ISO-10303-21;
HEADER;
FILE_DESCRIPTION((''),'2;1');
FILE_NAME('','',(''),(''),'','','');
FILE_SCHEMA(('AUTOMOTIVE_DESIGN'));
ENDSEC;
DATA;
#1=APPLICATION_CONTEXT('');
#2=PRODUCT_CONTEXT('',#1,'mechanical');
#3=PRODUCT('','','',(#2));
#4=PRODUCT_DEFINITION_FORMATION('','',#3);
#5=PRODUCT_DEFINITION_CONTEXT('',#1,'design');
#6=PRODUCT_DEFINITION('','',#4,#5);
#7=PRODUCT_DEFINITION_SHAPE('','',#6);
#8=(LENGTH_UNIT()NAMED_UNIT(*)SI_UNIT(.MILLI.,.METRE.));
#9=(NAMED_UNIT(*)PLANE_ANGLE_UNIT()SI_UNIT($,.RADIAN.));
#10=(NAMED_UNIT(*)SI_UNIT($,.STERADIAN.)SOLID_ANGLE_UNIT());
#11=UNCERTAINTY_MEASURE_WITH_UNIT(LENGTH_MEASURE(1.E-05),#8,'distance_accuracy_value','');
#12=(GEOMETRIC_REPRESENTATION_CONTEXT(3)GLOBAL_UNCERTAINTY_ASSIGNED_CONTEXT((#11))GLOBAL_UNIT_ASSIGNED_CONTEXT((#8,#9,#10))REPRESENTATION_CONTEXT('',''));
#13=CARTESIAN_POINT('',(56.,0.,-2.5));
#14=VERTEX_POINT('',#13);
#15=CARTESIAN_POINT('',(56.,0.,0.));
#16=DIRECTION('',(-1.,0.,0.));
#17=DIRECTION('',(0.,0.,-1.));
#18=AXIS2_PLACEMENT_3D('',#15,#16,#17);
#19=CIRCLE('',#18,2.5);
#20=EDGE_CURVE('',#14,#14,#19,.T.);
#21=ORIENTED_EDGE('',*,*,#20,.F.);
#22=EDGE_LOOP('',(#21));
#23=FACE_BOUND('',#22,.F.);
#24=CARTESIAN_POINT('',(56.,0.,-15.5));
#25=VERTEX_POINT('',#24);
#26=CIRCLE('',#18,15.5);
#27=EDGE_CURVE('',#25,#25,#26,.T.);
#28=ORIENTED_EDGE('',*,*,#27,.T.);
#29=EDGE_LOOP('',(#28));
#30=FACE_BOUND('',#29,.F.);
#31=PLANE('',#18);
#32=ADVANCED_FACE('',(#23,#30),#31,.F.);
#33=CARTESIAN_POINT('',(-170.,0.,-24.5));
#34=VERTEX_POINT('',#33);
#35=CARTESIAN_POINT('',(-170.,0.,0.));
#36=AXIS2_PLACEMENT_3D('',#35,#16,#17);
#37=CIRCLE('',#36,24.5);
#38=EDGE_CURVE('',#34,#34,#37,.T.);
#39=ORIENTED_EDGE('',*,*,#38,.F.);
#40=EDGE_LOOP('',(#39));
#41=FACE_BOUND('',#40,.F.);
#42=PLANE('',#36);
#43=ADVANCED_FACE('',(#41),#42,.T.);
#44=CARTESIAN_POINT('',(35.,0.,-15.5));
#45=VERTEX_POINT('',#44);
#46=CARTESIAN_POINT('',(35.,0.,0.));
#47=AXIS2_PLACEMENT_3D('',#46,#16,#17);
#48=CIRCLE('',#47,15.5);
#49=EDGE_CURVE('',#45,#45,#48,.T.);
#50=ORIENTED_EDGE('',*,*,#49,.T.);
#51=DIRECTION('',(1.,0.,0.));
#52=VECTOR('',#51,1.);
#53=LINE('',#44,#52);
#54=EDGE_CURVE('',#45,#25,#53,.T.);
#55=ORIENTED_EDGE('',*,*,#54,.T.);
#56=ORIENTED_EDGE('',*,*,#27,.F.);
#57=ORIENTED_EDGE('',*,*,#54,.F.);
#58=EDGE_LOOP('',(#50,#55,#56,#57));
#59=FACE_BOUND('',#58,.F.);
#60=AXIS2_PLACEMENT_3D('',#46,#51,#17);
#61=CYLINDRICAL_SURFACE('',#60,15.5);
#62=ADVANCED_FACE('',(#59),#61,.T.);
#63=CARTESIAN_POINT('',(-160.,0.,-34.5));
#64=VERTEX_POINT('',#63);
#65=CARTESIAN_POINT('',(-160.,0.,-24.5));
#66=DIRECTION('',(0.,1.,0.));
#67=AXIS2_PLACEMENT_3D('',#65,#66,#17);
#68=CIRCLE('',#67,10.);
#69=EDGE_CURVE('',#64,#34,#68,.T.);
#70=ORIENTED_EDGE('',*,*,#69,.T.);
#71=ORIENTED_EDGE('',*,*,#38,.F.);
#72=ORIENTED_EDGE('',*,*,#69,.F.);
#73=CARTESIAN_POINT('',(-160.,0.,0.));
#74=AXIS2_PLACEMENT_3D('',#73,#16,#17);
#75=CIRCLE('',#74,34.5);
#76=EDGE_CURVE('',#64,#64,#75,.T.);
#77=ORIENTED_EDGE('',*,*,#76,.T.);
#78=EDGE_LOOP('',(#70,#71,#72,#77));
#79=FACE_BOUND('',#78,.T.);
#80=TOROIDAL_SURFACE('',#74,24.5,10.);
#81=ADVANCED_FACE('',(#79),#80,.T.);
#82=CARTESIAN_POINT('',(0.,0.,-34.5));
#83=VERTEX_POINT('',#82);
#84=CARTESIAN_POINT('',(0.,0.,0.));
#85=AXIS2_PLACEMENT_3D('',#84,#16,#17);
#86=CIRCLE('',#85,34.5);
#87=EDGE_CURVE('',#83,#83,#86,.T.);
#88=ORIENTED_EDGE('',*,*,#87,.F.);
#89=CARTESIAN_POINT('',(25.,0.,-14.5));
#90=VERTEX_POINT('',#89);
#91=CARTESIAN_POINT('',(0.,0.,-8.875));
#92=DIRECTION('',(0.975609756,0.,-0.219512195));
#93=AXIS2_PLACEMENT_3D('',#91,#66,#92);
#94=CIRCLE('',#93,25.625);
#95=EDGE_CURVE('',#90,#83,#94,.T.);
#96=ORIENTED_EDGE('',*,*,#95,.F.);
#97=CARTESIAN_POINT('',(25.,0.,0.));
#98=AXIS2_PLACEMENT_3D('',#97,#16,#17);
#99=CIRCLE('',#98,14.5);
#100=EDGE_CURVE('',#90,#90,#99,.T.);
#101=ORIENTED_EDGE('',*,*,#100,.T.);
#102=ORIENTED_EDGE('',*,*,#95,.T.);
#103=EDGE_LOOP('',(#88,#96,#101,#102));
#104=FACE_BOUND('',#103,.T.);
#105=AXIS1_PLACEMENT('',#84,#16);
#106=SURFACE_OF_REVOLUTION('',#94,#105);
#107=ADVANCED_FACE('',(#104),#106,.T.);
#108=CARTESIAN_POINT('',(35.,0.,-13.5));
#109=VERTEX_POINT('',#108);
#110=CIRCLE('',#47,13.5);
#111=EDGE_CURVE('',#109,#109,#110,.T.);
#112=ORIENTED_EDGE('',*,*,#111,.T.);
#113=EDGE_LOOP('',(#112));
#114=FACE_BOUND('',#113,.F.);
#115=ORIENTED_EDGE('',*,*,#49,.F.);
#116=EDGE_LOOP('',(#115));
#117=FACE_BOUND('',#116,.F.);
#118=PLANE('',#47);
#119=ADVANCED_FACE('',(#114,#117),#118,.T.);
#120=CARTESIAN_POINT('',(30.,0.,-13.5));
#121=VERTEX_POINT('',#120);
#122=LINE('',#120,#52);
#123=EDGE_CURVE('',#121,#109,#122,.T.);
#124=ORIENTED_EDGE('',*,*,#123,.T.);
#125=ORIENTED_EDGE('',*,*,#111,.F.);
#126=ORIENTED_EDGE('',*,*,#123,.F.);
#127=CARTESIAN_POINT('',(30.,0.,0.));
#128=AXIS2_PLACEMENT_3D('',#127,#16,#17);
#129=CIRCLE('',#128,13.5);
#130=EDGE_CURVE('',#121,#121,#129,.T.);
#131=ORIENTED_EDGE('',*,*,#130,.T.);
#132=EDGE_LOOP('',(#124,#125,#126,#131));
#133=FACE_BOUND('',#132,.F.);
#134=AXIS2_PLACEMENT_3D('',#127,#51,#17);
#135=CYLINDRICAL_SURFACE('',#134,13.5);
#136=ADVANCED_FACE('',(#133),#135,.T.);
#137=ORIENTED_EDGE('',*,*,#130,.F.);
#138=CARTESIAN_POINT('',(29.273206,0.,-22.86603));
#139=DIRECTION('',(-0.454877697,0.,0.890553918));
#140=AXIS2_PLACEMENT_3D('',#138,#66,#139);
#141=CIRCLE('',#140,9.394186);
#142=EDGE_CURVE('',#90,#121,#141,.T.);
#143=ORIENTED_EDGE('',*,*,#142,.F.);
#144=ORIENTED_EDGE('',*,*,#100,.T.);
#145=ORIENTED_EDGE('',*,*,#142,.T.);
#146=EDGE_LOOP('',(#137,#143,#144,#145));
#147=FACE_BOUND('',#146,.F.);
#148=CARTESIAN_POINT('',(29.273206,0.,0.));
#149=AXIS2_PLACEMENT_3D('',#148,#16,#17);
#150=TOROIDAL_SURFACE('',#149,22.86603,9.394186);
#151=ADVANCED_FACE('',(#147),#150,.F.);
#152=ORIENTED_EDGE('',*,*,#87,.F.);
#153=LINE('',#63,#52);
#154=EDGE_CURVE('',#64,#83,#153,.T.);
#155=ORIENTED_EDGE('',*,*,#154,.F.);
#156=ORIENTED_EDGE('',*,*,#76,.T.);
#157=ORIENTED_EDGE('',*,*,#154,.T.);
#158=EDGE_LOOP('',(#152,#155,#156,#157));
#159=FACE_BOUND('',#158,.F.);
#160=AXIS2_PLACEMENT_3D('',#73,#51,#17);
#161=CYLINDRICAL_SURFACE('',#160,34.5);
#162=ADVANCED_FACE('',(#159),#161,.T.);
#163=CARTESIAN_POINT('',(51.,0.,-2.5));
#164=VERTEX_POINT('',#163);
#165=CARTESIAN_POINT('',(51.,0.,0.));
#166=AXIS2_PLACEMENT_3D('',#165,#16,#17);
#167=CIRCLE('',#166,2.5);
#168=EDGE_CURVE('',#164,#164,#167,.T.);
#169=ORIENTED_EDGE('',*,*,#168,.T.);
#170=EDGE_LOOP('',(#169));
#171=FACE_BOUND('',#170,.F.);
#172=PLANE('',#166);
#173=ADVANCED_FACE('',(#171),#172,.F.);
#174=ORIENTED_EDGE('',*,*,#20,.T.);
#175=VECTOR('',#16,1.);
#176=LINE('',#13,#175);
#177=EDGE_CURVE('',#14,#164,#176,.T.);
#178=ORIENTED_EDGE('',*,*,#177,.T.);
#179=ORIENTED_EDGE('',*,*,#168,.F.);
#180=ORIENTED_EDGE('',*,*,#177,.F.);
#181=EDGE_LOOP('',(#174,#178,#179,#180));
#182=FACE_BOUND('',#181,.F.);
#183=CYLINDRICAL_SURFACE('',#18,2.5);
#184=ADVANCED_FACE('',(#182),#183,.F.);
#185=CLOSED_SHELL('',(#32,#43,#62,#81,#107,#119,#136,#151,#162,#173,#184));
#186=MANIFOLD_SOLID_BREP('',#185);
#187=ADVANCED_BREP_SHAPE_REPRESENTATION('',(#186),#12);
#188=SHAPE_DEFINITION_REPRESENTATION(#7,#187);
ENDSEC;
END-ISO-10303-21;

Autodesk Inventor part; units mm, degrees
ref_plane "YZ Plane" through (0, 0, 0) normal (1, 0, 0) x (0, 1, 0)
ref_plane "XZ Plane" through (0, 0, 0) normal (0, 1, 0) x (-1, 0, 0)
ref_plane "XY Plane" through (0, 0, 0) normal (0, 0, 1) x (1, 0, 0)
sketch "スケッチ1" plane through (0, 0, 0) normal (0, 1, 0) x (-1, 0, 0)
  line L0 (0, 0) -> (160, 0)
  line L1 (160, 0) -> (160, -34.5)
  line L2 (160, -34.5) -> (0, -34.5)
  line L3 (0, -34.5) -> (0, 0)
  line L4 (160, 0) -> (170, 0)
  line L5 (170, 0) -> (170, -24.5)
  arc A0 (160, -34.5) -> (170, -24.5) centre (160, -24.5) ccw
  line L6 (0, -34.5) -> (0, -14.5)
  line L7 (0, -14.5) -> (-25, -14.5)
  line L8 (-25, -14.5) -> (-25, 0)
  line L9 (-25, 0) -> (-30, 0)
  line L10 (-30, 0) -> (-30, -13.5)
  arc A1 (-25, -14.5) -> (-30, -13.5) centre (-29.2733, -22.8663) ccw
  arc A2 (-25, -14.5) -> (0, -34.5) centre (0, -8.875) ccw
  line L11 (-30, -13.5) -> (-35, -13.5)
  line L12 (-35, -13.5) -> (-35, 0)
  line L13 (-35, 0) -> (-30, 0)
  line L14 (-30, 0) -> (-30, -13.5)
  line L15 (-35, 0) -> (-35, -15.5)
  line L16 (-35, -15.5) -> (-56, -15.5)
  line L17 (-56, -15.5) -> (-56, 0)
  line L18 (-56, 0) -> (-35, 0)
  line L19 (-35, 0) -> (-35, -15.5)
  line L20 (0, 0) -> (-25, 0)
  point P0 (-35, 0)
  dimension "d0" = 160
  dimension "d1" = 34.5
  dimension "d2" = 10
  dimension "d3" = 24.5
  dimension "d4" = 20
  dimension "d5" = 25
  dimension "d7" = 5
  dimension "d8" = 13.5
  dimension "d9" = 9.3945
  dimension "d10" = 5
  dimension "d11" = 15.5
  dimension "d12" = 21
revolve "回転1" add sketch "スケッチ1" angle 360 about axis through (0, 0, 0) along (-1, 0, 0)
sketch "スケッチ2" plane through (56, 0, 0) normal (1, 0, 0) x (0, 0, -1)
  circle A0 centre (0, 0) radius 13.5 projected
hole "穴1" at (56, 0, 0) direction (-1, 0, 0) diameter 5 depth 5
properties part number "petbottle_hn"
